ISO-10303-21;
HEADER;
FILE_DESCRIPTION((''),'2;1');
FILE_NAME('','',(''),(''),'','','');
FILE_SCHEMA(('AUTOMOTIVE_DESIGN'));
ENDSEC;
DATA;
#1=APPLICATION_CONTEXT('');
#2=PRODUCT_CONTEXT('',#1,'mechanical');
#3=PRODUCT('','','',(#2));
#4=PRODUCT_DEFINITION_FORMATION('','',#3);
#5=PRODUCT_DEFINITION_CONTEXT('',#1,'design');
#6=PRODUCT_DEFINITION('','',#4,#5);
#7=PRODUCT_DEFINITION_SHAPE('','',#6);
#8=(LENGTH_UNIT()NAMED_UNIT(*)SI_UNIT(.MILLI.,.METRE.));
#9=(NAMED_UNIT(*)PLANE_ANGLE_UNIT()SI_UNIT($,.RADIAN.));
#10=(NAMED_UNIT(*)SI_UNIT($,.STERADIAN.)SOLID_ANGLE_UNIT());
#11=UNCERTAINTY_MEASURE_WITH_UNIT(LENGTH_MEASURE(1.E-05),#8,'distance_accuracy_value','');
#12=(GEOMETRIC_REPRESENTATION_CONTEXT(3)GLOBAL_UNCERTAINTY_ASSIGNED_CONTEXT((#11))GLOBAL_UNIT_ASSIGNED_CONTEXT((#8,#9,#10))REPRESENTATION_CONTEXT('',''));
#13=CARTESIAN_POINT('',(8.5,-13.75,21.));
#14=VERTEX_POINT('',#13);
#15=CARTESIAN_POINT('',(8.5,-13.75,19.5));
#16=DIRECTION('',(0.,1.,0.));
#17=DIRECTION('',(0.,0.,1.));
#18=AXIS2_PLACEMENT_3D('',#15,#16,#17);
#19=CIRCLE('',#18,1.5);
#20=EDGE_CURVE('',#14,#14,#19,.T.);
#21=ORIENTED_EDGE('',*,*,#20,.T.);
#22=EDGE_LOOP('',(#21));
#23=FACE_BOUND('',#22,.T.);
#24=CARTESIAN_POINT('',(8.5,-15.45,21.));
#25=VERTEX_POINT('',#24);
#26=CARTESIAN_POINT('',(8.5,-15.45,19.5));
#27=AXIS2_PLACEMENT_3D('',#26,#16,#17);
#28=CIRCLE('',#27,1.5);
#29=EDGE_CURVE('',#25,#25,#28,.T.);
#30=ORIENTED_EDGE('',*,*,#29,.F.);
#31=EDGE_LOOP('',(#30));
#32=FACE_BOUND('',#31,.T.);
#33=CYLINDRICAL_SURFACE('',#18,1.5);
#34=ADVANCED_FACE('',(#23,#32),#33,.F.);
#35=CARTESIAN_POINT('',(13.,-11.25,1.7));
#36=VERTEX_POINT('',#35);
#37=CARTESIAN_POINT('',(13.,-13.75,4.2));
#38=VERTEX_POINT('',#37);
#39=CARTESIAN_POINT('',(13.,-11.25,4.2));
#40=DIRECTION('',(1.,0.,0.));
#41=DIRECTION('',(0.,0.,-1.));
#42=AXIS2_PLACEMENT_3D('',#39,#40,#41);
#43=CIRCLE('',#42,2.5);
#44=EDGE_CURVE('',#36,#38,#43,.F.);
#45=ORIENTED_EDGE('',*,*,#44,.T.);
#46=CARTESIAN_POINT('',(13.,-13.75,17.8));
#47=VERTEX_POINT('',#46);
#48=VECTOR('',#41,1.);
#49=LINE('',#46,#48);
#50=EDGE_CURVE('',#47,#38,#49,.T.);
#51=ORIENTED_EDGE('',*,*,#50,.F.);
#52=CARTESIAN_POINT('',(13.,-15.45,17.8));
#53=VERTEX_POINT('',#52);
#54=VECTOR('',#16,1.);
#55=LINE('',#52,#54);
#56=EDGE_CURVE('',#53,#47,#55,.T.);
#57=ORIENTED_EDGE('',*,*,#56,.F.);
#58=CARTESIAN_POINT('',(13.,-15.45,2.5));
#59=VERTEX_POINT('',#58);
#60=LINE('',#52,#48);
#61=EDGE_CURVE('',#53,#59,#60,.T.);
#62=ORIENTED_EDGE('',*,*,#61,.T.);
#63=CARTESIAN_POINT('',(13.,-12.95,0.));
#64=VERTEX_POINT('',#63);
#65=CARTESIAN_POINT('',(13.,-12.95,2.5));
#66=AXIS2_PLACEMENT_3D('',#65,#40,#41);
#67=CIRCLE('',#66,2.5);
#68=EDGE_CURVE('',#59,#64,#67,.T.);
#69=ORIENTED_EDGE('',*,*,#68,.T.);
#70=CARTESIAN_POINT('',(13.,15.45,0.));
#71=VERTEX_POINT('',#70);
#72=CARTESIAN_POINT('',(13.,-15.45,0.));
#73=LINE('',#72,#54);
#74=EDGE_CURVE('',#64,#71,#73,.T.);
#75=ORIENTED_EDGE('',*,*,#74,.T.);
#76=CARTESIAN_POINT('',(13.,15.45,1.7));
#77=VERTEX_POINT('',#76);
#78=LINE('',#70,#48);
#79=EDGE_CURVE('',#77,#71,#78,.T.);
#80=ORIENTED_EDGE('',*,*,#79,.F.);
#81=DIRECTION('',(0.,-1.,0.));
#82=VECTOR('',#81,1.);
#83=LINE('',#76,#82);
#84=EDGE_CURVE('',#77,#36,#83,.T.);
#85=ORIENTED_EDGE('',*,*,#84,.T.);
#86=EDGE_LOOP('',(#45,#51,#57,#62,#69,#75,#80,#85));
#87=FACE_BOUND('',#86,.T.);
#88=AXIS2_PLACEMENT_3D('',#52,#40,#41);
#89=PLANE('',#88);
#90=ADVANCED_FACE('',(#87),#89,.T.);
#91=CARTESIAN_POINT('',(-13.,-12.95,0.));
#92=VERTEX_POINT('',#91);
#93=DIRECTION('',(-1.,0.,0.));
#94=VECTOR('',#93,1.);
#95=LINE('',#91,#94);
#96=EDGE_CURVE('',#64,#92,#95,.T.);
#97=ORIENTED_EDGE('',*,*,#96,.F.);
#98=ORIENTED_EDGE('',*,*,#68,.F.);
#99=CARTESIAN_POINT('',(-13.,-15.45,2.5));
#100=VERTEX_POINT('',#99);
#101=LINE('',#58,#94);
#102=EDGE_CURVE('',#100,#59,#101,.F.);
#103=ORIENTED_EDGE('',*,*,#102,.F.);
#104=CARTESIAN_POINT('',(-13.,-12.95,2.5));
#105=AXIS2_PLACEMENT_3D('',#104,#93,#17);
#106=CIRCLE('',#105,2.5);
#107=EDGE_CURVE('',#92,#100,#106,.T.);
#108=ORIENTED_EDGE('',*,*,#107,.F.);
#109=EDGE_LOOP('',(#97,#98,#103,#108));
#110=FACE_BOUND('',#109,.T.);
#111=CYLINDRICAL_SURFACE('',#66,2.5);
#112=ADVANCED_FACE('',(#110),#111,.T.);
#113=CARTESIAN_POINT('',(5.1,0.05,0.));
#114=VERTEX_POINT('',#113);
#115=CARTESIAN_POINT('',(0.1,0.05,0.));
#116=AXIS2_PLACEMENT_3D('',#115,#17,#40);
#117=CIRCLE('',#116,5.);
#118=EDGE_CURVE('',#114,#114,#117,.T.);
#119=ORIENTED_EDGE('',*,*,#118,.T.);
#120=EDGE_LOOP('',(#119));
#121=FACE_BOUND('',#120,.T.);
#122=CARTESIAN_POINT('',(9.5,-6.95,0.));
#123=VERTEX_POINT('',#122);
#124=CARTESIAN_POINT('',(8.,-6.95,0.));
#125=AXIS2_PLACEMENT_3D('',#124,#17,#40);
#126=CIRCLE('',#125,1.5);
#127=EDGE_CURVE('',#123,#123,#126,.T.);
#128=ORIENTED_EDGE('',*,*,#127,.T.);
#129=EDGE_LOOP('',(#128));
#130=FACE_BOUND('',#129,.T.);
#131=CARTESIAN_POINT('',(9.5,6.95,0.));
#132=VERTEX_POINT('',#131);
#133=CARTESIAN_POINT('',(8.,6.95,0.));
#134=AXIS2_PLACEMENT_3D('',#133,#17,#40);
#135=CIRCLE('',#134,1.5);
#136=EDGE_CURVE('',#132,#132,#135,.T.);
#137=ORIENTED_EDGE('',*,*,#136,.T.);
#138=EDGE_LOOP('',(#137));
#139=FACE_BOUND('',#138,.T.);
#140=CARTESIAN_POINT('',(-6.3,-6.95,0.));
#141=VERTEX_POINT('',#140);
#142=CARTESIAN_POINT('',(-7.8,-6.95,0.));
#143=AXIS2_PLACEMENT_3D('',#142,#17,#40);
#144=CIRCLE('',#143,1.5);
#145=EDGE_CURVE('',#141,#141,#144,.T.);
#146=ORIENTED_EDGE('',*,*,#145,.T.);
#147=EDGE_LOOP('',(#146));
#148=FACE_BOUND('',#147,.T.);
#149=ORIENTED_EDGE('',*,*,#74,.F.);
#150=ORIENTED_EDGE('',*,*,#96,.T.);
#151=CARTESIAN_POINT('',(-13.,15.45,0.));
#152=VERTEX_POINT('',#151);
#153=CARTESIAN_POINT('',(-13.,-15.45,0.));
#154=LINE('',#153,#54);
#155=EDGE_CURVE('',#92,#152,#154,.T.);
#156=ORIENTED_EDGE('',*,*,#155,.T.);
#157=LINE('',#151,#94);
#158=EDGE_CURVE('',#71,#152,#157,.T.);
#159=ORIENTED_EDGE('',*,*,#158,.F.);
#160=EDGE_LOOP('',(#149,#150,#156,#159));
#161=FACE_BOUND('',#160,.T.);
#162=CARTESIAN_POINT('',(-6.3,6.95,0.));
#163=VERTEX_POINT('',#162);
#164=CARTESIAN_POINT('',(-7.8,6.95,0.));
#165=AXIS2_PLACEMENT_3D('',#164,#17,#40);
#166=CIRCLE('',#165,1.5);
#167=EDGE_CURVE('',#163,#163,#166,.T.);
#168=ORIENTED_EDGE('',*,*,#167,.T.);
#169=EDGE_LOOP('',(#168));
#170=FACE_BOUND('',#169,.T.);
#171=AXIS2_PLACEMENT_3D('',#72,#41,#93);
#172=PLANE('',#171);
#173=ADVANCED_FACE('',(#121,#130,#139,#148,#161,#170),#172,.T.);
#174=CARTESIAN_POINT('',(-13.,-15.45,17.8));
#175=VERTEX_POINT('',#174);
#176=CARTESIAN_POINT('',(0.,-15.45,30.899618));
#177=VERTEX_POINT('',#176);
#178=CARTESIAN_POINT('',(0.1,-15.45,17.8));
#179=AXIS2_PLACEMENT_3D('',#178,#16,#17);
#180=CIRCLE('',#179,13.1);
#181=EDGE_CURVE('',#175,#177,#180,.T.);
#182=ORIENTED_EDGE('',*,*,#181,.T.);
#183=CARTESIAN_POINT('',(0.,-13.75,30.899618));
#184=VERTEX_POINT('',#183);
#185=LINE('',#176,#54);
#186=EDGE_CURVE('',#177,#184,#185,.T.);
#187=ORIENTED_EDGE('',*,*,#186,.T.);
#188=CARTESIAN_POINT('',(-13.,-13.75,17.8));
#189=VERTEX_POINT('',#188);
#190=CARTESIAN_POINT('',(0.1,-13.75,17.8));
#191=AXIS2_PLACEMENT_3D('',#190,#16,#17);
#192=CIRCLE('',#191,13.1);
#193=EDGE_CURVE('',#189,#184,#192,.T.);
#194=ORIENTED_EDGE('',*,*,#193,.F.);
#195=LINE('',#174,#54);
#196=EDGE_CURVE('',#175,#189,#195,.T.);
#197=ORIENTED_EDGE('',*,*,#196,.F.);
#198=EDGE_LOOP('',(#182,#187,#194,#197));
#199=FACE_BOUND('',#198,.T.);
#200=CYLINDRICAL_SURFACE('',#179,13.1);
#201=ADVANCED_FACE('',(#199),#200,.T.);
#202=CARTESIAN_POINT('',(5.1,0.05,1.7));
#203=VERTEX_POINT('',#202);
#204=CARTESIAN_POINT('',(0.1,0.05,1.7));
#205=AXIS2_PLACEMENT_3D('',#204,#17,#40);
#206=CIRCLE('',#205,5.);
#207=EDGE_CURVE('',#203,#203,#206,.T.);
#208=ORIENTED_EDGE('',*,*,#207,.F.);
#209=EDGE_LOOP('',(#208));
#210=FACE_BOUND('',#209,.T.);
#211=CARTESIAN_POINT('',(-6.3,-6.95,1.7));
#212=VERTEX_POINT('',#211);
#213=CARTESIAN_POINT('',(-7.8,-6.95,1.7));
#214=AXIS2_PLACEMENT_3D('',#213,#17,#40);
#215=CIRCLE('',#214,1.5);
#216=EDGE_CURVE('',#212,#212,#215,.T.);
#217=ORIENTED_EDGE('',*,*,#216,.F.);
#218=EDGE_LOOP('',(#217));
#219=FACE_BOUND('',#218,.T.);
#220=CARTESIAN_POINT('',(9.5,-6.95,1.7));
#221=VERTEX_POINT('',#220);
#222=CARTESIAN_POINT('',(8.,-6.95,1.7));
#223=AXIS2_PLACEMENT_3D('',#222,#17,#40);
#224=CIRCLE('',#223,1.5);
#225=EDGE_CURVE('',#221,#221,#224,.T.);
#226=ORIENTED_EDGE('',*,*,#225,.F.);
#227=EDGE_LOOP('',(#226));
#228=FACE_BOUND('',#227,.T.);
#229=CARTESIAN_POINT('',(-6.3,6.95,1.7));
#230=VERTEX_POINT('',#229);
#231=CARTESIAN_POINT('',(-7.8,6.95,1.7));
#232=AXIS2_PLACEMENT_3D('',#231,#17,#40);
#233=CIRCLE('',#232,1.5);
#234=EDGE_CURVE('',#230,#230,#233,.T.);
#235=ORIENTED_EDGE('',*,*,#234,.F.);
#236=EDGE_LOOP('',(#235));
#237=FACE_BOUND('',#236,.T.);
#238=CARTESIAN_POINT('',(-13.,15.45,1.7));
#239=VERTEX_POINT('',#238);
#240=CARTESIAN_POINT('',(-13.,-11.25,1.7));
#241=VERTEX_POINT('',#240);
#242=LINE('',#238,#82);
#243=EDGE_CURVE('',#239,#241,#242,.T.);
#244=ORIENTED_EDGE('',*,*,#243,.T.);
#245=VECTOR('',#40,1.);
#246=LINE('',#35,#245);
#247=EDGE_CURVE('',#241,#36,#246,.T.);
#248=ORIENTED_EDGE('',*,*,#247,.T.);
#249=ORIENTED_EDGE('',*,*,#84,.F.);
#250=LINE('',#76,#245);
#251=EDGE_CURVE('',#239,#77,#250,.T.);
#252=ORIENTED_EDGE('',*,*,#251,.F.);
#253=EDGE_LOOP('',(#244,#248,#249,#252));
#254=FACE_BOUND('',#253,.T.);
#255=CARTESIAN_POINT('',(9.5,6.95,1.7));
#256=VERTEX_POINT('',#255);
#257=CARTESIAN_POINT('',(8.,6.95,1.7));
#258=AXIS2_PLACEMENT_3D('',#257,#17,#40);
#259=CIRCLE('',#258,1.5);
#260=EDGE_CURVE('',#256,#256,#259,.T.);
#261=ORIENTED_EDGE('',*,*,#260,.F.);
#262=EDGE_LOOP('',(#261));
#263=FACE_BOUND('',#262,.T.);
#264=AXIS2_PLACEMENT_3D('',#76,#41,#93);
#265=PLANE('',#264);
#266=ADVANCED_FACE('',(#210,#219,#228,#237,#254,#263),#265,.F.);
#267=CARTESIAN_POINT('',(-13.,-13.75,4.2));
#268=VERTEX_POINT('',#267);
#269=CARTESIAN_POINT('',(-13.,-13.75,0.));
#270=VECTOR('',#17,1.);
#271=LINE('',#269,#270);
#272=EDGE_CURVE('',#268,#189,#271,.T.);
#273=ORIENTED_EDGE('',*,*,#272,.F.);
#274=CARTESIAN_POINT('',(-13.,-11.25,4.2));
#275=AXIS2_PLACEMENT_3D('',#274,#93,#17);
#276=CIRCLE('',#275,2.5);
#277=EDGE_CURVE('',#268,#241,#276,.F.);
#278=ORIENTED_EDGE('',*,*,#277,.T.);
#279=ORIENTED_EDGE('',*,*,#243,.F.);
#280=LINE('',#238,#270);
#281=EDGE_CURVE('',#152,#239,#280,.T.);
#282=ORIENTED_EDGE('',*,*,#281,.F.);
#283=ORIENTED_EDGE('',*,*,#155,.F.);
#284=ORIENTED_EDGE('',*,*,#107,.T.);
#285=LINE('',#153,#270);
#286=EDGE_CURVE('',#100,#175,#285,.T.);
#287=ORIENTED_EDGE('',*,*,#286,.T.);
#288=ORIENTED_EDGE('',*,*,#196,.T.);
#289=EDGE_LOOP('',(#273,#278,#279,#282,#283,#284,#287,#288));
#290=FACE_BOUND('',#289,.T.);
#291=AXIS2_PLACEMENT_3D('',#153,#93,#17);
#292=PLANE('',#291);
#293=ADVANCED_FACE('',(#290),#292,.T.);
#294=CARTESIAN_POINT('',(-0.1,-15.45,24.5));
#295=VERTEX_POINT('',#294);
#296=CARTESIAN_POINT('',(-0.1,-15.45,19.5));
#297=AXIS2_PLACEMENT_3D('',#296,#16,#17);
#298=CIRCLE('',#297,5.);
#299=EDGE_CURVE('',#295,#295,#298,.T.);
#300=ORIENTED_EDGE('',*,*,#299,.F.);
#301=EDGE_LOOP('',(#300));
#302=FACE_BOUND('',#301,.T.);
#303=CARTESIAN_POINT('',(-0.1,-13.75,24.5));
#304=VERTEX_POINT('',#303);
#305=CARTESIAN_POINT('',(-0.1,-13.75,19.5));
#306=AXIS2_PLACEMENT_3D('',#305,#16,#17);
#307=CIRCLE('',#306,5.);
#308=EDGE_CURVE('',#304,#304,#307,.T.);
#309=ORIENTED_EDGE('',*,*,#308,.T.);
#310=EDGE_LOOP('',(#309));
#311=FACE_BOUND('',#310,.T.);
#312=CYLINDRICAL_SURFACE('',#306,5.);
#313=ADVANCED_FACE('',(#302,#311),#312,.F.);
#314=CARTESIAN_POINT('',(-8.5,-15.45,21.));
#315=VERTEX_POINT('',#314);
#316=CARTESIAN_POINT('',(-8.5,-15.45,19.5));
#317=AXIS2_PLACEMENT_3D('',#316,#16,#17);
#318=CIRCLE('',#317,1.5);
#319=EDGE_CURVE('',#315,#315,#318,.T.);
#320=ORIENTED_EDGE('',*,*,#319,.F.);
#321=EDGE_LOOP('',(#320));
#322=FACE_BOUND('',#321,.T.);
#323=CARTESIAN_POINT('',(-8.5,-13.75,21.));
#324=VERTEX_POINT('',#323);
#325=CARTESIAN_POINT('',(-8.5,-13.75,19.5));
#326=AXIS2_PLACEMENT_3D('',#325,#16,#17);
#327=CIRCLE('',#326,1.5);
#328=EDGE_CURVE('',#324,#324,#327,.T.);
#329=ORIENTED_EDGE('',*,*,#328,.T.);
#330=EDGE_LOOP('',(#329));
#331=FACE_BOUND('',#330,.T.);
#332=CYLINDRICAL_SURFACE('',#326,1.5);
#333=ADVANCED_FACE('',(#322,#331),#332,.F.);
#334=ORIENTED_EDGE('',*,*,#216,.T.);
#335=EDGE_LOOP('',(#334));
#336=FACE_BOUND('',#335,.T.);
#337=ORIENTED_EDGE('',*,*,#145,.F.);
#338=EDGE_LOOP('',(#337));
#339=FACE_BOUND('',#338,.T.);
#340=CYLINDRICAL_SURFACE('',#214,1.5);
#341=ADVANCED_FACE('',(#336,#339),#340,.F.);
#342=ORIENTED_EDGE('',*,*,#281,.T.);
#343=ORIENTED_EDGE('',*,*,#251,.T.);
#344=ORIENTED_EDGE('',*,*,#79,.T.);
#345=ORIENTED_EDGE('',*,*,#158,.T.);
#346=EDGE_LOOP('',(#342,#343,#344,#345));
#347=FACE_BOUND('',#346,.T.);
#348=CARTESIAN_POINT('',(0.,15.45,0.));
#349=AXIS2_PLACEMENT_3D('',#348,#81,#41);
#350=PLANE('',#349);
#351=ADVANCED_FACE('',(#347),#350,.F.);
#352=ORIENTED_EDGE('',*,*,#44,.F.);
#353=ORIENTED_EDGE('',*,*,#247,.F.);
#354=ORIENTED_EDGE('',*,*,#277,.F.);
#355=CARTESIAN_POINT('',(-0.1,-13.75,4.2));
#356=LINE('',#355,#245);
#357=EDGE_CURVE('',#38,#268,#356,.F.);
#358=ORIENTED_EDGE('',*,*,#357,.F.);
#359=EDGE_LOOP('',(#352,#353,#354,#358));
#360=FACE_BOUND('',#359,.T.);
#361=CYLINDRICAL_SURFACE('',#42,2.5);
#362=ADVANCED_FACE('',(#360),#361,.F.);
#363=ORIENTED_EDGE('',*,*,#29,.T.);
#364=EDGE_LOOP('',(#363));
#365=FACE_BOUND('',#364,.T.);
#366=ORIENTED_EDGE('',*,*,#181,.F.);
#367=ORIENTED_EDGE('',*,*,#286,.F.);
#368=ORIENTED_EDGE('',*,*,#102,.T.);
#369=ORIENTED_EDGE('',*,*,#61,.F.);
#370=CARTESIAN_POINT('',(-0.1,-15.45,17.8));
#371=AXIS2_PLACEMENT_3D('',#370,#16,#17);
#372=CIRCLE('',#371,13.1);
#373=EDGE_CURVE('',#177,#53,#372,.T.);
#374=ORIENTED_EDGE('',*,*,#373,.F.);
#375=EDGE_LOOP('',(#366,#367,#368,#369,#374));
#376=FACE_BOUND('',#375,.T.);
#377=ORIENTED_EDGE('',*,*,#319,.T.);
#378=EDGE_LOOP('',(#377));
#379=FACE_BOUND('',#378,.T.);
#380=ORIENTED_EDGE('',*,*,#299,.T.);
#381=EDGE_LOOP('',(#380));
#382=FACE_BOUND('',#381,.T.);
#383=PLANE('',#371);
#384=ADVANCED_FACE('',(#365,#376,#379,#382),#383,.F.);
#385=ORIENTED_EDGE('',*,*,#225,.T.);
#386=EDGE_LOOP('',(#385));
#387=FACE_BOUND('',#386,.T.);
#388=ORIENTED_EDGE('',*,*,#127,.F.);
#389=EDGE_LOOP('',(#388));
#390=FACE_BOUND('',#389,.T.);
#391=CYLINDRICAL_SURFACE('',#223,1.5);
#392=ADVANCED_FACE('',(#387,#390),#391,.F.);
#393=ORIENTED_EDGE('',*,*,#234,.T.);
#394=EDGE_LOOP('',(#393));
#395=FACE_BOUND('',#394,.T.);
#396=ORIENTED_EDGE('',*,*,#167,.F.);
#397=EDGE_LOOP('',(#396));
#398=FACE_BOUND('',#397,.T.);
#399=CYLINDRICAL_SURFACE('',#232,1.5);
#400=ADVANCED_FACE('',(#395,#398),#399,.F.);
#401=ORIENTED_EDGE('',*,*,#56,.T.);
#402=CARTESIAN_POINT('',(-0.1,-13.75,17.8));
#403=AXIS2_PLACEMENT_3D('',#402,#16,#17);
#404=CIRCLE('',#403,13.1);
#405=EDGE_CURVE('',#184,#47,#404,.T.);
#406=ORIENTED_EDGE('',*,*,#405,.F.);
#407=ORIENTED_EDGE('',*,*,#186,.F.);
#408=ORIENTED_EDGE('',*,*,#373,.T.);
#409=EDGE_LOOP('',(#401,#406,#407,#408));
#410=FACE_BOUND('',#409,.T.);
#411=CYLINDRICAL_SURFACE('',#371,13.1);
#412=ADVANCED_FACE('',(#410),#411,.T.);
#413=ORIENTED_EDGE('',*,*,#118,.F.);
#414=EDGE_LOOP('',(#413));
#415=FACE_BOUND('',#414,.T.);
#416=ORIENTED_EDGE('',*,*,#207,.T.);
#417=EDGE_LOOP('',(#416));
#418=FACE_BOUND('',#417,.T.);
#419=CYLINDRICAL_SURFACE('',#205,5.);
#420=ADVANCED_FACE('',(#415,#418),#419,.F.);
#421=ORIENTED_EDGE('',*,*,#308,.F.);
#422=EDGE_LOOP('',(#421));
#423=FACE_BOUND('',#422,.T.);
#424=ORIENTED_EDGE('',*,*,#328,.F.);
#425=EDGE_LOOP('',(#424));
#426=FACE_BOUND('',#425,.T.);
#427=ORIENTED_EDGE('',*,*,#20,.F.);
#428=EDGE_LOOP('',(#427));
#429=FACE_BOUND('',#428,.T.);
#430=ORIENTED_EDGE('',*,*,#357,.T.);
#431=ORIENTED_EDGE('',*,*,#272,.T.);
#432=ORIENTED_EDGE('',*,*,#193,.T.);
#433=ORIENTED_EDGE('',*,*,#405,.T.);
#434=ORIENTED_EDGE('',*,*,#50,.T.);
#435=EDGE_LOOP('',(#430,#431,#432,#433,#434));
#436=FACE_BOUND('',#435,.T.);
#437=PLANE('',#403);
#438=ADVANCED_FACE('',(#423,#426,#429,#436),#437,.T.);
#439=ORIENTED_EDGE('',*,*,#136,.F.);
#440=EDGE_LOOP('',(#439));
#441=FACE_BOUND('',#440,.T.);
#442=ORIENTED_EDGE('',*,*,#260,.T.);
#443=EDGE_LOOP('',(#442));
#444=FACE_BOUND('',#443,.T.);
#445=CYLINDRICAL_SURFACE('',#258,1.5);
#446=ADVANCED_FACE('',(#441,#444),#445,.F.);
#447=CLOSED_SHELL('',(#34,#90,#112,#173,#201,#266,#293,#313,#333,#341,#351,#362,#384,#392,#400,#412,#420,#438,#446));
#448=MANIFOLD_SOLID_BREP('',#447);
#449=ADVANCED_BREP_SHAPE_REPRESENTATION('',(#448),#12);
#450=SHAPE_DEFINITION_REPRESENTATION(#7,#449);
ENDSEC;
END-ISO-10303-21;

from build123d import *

# Parameters (mm, degrees)
BOSS_EXTRUDE1_DEPTH        = 1.7
SKETCH2_W                  = 26
SKETCH2_H                  = 1.7
BOSS_EXTRUDE2_DEPTH        = 29.2
F_10_0_10_DIAMETER_HOLE1_D = 10
F_3_0_3_DIAMETER_HOLE1_D   = 3
F_10_0_10_DIAMETER_HOLE2_D = 10
F_3_0_3_DIAMETER_HOLE2_D   = 3
FILLET1_R                  = 2.5


with BuildPart() as part:
    # Sketch1 → Boss-Extrude1 (new body)
    with BuildSketch(Plane(origin=(0, -13.75, 0), x_dir=(1, 0, 0), z_dir=(0, 1, 0))):
        with BuildLine():
            Line((13.000000223, -17.8), (13.000000223, 0))
            Line((13.000000223, 0), (-13, 0))
            Line((-13, 0), (-13, -17.8))
            ThreePointArc((-13, -17.8), (-9.198386918, -27.027675803), (1.11e-07, -30.899618316))
            ThreePointArc((1.11e-07, -30.899618316), (9.19838714, -27.027675803), (13.000000223, -17.8))
        make_face()
    extrude(amount=-BOSS_EXTRUDE1_DEPTH)

    # Sketch2 → Boss-Extrude2 (add)
    with BuildSketch(Plane(origin=(0, -13.75, 0), x_dir=(-1, 0, 0), z_dir=(0, 1, 0))):
        with Locations((0, 0.85)):
            Rectangle(SKETCH2_W, SKETCH2_H)
    extrude(amount=BOSS_EXTRUDE2_DEPTH)

    # Ø10.0 (10) Diameter Hole1 (through all)
    with Locations(Plane(origin=(0, -13.75, 0), x_dir=(1, 0, 0), z_dir=(0, 1, 0))):
        with Locations((-0.099999806, -19.5)):
            Hole(F_10_0_10_DIAMETER_HOLE1_D / 2)

    # Ø3.0 (3) Diameter Hole1 (through all)
    with Locations(Plane(origin=(0, -13.75, 0), x_dir=(1, 0, 0), z_dir=(0, 1, 0))):
        with Locations((8.5, -19.5), (-8.5, -19.5)):
            Hole(F_3_0_3_DIAMETER_HOLE1_D / 2)

    # Ø10.0 (10) Diameter Hole2 (through all)
    with Locations(Plane.XY.offset(1.7)):
        with Locations((0.1, 0.05)):
            Hole(F_10_0_10_DIAMETER_HOLE2_D / 2)

    # Ø3.0 (3) Diameter Hole2 (through all)
    with Locations(Plane.XY.offset(1.7)):
        with Locations((-7.8, 6.95), (8, -6.95), (-7.8, -6.95), (8, 6.95)):
            Hole(F_3_0_3_DIAMETER_HOLE2_D / 2)

    # Fillet1
    fillet1_edges = [part.edges().sort_by_distance(p)[0] for p in [
        (1.11e-07, -15.45, 0),
        (0, -13.75, 1.7),
    ]]
    fillet(fillet1_edges, radius=FILLET1_R)


solid = part.part
